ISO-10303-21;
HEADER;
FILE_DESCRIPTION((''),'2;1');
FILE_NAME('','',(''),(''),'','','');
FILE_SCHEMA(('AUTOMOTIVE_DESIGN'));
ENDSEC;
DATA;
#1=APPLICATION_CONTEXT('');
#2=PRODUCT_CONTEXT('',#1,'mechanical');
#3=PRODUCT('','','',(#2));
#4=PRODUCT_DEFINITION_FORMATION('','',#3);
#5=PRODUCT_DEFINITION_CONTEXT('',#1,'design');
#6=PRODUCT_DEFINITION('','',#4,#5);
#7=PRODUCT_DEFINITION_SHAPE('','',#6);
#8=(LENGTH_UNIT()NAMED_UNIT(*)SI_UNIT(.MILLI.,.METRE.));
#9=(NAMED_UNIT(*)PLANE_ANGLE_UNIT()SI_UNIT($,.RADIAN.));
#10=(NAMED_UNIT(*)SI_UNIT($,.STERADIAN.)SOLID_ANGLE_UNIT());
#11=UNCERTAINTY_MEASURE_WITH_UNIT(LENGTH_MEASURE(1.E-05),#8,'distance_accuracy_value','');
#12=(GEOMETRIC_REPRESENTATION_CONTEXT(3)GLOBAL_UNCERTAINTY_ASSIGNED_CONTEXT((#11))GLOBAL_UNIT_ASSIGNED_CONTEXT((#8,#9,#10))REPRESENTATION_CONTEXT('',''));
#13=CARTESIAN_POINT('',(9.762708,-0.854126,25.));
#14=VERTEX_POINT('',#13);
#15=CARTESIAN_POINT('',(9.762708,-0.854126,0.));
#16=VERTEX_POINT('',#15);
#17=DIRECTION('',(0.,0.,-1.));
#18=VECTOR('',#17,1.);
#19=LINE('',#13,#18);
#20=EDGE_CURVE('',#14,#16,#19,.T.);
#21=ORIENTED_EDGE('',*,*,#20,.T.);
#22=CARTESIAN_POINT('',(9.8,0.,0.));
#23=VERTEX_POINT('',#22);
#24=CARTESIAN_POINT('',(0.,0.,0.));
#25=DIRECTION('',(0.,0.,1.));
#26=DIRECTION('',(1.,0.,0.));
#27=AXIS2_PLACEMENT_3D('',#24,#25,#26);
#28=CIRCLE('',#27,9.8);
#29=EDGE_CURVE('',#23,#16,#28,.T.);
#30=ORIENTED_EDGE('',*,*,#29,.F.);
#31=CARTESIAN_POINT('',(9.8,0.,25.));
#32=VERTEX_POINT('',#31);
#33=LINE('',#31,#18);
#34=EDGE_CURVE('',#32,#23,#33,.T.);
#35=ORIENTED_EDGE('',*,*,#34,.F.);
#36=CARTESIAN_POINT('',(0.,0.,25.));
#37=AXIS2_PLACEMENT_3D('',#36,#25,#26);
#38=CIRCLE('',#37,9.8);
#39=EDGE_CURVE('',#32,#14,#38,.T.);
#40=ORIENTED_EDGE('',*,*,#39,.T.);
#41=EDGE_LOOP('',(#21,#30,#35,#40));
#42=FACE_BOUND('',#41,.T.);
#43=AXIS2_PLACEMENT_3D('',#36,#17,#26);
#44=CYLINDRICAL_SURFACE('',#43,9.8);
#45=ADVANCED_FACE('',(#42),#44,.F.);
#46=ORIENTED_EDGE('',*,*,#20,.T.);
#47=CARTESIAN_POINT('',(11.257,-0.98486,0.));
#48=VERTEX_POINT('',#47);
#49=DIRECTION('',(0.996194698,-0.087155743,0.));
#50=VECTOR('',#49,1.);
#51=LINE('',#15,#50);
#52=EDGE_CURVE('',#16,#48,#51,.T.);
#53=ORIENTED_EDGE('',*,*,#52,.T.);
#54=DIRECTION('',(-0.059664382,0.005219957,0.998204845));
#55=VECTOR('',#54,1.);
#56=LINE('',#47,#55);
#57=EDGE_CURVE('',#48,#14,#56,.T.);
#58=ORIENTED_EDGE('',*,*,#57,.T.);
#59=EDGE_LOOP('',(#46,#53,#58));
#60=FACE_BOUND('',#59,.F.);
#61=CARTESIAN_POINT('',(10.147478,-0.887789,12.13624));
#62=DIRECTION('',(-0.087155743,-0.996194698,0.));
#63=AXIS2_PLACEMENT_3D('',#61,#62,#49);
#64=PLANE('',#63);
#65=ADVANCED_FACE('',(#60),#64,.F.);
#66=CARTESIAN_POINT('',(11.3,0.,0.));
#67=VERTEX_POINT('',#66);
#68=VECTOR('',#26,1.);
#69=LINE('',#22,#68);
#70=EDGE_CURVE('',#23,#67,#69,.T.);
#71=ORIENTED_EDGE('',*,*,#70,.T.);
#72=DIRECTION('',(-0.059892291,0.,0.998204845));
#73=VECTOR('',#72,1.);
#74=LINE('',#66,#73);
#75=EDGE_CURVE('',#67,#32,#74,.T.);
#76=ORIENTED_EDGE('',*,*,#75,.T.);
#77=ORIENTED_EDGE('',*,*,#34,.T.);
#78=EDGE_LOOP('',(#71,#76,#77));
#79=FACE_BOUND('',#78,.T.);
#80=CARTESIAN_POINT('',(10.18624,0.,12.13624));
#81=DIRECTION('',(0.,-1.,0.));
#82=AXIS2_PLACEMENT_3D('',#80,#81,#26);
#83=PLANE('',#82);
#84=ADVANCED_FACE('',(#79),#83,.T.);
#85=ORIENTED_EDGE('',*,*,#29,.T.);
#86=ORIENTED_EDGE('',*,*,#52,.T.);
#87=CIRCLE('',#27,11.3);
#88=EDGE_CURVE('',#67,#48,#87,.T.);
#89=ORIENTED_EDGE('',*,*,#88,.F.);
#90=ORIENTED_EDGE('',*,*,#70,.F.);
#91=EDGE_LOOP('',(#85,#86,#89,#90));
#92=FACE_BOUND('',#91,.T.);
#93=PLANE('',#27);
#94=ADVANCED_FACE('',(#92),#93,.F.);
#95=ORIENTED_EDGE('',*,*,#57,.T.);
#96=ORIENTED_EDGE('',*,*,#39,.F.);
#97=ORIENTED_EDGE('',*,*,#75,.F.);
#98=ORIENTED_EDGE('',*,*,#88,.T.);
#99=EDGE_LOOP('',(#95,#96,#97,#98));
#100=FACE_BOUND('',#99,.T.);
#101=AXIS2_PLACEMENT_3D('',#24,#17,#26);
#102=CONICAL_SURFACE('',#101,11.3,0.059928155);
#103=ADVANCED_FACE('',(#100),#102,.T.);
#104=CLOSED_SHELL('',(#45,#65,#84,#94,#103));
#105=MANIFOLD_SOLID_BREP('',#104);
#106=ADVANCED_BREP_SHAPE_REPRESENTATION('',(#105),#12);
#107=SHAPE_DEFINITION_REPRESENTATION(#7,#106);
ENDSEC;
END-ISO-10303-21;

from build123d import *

# Parameters (mm, degrees)
F1_ANGLE = 355


with BuildPart() as f1:
    # F0 (on Front) → F1 (revolve)
    with BuildSketch(Plane.XZ):
        Polygon((9.8, 25), (9.8, 0), (11.3, 0), align=None)
    revolve(axis=Axis((0, 0, 14.854821), (0, 0, 1)), revolution_arc=F1_ANGLE)


solid = f1.part
